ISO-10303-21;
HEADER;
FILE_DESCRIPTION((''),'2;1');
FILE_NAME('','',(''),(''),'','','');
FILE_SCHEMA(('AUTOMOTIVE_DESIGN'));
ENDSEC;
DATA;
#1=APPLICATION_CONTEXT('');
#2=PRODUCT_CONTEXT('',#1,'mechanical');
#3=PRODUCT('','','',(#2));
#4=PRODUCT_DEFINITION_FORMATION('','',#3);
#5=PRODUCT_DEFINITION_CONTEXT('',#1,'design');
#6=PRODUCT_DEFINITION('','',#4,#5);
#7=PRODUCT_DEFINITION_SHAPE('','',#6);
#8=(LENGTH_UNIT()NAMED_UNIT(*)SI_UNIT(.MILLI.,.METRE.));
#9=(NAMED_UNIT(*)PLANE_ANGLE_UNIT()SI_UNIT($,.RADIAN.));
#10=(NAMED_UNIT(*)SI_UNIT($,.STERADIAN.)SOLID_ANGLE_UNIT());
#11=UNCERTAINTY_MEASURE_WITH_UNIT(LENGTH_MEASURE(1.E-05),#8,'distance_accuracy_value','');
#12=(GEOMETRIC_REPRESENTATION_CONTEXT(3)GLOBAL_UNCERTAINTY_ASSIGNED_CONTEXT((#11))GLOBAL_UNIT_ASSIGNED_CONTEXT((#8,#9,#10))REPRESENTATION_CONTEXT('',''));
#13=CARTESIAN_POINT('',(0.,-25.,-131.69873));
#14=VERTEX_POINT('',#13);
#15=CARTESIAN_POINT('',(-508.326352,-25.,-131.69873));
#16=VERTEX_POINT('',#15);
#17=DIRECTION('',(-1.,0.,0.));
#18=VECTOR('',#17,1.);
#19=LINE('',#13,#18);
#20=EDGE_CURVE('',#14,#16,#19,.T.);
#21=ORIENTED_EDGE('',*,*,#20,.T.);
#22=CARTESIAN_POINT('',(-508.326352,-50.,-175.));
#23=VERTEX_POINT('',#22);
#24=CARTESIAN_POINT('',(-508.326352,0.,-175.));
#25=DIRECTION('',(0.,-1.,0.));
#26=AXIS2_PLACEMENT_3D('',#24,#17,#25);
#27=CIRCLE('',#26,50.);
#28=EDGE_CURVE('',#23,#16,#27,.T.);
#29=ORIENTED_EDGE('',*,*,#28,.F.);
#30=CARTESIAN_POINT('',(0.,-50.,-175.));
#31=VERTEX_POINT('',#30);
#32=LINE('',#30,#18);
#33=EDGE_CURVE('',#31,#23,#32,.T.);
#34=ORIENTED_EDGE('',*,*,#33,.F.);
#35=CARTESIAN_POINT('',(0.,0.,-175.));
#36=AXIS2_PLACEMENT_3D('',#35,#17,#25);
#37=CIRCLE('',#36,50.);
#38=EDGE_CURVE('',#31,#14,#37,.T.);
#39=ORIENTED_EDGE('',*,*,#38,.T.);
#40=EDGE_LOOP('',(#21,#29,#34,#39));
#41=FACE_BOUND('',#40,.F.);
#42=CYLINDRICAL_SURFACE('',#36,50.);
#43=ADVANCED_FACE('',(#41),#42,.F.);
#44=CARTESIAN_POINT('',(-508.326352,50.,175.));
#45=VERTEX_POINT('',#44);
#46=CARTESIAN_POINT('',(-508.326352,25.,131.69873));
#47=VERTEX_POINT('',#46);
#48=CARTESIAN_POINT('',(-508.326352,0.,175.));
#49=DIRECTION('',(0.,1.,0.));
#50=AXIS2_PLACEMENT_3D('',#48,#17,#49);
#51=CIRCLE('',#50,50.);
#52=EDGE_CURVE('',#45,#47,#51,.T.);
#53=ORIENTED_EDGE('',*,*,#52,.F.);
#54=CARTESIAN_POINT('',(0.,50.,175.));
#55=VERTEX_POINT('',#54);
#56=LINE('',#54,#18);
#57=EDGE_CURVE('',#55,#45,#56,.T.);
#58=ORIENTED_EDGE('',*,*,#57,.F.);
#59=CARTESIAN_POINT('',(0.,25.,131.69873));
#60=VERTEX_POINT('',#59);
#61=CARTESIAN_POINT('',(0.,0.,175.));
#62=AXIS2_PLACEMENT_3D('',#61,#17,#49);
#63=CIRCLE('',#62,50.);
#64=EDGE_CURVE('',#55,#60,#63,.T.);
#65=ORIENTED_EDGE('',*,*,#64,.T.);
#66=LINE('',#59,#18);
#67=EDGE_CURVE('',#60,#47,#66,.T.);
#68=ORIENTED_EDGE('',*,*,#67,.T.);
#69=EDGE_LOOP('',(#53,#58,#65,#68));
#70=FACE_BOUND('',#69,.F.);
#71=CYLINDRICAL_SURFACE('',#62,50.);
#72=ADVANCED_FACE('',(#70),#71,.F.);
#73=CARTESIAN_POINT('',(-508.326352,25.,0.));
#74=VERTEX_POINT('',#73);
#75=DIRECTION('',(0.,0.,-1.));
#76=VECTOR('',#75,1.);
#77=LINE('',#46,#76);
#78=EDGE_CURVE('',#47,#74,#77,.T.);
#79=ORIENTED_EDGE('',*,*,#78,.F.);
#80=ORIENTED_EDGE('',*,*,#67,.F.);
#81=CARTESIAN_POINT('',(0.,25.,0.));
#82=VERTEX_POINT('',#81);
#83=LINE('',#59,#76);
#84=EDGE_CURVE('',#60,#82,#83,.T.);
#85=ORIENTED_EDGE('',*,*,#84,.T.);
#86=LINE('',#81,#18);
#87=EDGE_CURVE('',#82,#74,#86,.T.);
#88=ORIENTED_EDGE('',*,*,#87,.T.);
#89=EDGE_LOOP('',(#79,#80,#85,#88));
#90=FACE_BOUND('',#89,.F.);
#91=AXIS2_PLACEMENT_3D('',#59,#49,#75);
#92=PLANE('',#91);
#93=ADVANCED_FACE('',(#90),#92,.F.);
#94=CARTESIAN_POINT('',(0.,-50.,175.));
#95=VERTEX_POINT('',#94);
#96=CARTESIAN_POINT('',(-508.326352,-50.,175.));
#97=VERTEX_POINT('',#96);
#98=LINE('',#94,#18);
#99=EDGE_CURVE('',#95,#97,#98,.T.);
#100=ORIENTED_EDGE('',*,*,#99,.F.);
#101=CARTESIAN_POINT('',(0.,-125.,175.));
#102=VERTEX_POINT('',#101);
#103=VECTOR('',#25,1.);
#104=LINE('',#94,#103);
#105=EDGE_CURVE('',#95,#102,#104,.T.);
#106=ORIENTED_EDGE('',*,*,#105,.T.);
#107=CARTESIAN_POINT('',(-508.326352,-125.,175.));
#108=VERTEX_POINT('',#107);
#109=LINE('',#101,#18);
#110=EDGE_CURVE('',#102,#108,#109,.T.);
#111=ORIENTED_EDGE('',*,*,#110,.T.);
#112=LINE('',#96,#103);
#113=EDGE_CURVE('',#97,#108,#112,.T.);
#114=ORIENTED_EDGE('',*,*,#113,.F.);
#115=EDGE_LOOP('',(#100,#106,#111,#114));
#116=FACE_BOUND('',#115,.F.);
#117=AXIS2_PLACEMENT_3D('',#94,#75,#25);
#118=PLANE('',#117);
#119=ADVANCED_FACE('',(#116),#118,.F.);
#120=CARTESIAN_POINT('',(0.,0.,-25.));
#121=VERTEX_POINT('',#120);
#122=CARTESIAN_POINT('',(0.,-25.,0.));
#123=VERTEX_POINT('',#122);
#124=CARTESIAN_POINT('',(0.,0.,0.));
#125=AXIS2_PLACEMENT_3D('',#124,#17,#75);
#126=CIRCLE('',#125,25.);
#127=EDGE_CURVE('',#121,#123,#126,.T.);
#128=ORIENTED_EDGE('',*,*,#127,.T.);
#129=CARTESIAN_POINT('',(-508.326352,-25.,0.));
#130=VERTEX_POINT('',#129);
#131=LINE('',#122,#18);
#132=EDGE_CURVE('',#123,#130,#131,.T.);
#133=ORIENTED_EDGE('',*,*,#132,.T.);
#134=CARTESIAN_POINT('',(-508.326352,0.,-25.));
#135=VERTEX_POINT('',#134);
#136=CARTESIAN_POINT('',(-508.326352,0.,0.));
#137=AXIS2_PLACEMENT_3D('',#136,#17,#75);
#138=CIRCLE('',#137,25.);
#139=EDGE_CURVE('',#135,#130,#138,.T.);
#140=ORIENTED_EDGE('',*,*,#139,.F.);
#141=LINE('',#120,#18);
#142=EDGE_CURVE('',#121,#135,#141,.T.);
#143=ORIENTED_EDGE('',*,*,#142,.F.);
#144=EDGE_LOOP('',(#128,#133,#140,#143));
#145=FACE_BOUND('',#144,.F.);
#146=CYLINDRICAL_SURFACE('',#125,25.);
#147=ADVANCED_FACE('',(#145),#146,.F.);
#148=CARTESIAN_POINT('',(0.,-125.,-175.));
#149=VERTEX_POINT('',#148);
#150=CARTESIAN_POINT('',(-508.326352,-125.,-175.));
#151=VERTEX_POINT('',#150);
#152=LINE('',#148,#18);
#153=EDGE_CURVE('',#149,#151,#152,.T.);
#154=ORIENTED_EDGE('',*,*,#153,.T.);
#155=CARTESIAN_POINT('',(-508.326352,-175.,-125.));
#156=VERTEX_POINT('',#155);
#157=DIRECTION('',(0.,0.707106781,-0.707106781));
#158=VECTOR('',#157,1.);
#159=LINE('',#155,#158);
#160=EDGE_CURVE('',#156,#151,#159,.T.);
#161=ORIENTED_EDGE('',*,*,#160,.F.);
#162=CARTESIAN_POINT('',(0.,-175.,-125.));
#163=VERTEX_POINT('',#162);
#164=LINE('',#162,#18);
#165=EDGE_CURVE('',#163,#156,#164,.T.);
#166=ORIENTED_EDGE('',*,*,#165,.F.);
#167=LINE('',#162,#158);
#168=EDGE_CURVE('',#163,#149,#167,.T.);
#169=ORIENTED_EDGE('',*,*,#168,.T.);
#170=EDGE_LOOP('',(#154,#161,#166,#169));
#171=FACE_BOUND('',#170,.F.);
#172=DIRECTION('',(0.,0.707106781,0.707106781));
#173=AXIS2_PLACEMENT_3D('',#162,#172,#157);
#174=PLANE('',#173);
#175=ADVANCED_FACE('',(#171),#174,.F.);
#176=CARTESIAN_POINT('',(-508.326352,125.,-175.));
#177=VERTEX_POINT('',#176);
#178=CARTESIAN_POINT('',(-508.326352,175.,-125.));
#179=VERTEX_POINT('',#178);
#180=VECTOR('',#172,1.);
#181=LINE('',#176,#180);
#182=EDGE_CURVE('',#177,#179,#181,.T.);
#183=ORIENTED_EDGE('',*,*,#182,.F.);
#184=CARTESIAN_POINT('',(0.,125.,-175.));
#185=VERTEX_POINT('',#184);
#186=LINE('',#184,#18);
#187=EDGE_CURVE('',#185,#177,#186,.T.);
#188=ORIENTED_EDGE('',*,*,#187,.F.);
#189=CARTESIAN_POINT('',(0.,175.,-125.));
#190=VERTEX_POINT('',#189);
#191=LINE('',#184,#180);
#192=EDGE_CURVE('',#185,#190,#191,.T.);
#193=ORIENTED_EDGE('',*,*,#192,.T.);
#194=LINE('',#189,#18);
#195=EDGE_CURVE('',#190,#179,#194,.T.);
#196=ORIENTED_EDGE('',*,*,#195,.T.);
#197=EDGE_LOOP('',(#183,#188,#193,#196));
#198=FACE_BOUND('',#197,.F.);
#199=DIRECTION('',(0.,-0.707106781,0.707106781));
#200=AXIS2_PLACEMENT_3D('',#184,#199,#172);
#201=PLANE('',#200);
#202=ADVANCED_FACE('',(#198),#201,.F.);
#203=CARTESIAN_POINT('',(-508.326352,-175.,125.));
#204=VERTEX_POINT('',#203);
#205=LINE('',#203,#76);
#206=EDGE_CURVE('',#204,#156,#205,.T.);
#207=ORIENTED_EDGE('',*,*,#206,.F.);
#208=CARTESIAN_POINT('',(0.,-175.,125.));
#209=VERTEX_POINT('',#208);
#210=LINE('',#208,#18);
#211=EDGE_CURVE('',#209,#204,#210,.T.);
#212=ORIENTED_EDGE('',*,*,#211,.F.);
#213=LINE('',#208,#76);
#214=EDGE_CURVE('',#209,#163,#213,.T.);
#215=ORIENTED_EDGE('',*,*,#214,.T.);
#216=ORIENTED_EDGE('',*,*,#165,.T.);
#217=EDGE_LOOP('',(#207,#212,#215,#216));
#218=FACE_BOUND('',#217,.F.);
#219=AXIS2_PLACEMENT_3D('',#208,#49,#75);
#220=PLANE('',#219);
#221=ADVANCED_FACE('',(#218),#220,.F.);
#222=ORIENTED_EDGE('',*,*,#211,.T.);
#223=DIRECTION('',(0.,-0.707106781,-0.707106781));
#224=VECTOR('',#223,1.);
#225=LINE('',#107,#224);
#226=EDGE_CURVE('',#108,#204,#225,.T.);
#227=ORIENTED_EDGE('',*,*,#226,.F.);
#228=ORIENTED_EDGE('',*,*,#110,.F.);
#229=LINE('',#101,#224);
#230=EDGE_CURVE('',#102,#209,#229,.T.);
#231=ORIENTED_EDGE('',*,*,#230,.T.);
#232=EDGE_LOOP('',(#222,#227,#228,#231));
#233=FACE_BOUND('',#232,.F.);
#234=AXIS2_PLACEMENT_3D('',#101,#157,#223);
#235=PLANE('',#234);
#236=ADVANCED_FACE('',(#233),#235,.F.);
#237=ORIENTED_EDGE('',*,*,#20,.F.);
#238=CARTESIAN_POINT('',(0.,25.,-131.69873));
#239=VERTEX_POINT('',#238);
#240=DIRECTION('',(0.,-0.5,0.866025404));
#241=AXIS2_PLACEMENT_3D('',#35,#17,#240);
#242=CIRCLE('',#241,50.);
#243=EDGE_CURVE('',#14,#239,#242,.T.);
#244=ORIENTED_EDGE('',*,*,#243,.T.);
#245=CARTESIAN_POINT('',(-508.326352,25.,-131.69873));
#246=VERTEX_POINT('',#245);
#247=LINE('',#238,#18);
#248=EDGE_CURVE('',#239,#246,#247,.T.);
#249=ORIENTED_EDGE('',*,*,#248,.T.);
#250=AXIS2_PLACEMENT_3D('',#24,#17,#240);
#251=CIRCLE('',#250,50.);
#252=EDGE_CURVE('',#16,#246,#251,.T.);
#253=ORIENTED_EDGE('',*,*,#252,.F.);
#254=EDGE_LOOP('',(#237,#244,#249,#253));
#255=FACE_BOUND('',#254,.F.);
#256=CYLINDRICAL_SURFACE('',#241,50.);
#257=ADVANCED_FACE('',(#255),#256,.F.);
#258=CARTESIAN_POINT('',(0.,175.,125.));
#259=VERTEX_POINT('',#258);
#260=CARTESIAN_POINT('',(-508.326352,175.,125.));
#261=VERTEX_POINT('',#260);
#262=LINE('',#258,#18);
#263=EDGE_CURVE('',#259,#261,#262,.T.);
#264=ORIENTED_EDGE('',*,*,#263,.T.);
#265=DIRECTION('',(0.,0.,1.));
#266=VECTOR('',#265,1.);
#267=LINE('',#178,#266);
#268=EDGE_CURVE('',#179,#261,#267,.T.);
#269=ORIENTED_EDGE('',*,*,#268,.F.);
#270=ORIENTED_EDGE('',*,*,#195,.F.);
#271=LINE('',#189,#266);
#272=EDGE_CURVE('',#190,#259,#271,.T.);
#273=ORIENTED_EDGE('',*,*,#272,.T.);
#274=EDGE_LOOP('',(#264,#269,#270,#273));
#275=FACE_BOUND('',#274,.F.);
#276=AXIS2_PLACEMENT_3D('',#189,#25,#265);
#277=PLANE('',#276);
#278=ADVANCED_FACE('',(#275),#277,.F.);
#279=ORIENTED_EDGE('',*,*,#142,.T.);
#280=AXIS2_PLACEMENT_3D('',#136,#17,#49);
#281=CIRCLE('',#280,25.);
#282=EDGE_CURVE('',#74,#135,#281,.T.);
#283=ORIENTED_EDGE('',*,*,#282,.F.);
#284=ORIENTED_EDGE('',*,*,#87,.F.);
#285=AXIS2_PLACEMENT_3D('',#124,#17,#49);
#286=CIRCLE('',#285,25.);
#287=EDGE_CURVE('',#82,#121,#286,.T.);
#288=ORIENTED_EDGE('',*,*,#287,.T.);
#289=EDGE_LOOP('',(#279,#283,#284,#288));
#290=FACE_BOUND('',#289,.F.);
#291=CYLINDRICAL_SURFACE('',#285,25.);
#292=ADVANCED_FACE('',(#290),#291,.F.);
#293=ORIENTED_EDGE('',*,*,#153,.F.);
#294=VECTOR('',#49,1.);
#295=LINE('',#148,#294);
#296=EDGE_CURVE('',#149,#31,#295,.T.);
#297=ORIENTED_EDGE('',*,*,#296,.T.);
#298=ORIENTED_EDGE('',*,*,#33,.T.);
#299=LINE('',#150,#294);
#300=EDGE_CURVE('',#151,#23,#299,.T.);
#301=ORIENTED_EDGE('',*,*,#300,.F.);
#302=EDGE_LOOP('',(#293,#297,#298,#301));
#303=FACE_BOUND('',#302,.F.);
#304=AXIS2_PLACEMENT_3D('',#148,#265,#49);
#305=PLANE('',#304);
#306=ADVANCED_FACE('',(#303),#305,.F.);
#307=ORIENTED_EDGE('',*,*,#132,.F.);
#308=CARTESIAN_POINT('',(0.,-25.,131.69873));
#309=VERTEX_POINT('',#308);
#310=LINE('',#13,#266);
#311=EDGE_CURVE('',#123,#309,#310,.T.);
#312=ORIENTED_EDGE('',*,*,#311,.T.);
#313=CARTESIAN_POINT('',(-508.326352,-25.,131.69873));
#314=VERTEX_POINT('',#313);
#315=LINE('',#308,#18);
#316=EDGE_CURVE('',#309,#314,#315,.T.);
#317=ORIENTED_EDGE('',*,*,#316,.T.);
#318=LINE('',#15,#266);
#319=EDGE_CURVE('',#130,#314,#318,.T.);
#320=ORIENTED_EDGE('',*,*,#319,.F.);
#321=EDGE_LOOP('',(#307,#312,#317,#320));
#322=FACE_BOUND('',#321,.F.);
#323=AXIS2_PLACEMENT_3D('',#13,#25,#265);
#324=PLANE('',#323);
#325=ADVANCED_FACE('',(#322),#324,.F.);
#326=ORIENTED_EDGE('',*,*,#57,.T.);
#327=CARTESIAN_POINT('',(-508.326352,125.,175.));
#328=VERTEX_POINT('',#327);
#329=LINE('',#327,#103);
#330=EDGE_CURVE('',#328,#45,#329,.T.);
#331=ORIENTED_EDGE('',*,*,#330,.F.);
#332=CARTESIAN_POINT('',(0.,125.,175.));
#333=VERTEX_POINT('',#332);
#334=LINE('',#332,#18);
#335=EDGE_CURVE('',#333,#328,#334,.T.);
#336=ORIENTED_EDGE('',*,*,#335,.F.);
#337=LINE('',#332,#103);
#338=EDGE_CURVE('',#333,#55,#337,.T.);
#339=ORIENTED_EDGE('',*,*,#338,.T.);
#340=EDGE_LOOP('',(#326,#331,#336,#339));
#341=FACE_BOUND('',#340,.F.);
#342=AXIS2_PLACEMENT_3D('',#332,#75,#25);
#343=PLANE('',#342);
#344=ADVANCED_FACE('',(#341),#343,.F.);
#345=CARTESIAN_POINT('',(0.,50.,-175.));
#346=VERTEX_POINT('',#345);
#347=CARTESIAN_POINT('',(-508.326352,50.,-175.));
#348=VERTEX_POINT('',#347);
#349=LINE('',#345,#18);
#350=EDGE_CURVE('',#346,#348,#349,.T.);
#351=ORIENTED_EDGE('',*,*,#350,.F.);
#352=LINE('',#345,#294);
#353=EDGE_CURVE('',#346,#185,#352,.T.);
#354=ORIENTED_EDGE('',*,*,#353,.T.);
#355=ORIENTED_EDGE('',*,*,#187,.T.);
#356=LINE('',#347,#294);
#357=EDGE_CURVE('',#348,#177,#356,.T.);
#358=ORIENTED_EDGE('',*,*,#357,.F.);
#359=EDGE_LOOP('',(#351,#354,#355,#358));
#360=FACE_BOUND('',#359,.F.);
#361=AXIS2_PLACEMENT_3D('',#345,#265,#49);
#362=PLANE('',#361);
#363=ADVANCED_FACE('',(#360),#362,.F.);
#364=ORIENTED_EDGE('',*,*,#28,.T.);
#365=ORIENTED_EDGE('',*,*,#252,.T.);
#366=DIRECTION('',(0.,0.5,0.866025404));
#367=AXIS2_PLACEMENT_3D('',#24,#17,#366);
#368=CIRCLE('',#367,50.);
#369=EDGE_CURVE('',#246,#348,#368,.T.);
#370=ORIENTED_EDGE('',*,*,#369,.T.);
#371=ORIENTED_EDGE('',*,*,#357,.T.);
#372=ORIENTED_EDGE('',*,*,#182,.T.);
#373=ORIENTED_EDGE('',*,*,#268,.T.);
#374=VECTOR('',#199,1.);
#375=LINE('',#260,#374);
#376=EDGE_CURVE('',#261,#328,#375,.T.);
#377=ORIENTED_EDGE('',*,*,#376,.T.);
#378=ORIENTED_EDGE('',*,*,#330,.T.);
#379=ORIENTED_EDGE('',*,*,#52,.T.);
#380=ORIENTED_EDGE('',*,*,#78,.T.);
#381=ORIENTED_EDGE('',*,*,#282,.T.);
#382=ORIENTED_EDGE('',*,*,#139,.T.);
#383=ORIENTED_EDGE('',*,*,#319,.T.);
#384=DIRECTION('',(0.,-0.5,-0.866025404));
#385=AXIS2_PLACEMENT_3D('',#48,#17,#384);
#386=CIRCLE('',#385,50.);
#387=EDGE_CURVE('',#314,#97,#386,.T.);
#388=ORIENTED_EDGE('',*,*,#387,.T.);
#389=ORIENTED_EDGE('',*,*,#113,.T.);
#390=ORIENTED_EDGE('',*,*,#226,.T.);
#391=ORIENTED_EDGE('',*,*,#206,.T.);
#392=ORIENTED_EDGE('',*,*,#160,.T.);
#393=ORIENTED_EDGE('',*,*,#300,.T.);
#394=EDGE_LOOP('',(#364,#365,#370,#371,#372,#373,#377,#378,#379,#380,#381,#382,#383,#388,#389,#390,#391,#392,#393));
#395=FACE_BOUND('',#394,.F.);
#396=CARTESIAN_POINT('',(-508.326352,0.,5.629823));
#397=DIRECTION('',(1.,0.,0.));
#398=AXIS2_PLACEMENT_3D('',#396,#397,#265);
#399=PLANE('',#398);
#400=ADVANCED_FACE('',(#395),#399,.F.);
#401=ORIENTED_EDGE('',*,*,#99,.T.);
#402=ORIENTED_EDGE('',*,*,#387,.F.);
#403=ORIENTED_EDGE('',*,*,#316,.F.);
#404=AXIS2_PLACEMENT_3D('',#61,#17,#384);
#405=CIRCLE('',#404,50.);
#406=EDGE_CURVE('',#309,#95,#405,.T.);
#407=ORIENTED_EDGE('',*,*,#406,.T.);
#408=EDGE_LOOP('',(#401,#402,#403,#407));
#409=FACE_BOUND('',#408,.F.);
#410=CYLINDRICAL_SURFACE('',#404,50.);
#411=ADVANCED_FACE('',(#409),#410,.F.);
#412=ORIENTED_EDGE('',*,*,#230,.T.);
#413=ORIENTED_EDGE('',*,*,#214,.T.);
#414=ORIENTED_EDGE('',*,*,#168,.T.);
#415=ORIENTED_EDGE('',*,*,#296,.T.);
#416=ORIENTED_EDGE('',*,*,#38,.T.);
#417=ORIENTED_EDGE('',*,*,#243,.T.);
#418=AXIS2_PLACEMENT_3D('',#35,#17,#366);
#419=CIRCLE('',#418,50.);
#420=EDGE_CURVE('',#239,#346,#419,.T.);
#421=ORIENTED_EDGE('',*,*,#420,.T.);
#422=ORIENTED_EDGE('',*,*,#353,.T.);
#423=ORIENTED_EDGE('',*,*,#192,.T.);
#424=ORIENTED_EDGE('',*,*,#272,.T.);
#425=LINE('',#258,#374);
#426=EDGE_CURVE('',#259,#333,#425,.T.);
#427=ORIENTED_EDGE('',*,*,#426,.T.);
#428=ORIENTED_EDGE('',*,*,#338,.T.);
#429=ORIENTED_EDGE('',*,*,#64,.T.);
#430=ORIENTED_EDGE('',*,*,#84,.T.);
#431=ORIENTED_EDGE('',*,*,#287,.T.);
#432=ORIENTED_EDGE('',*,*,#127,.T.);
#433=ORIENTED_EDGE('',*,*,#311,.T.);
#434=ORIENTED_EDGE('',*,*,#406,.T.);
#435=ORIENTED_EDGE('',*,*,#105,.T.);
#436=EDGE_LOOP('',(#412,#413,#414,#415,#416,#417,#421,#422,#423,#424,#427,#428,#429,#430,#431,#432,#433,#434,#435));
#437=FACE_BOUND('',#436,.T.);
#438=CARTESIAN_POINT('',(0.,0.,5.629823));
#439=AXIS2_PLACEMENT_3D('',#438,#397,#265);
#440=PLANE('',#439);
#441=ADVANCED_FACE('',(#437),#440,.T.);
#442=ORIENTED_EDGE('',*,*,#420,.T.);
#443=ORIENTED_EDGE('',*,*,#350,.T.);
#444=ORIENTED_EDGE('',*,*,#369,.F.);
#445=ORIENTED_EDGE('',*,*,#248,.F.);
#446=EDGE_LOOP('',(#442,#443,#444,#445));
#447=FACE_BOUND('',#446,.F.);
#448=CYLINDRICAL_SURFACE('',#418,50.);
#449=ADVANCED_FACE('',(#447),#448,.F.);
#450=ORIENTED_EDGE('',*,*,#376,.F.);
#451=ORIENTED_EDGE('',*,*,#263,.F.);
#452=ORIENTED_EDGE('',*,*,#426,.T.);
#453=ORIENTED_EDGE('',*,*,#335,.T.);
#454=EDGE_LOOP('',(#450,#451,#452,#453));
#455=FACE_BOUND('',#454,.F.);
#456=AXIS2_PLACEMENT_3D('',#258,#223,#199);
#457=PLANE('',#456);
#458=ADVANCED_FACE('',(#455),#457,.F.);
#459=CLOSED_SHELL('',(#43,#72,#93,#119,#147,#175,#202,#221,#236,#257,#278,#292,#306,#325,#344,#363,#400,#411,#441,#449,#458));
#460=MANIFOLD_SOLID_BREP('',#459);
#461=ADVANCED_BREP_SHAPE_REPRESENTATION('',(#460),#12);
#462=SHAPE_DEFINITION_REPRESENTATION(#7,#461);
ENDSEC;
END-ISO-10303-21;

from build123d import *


with BuildPart() as f2:
    # F2: sweep along a path in F1
    with BuildLine(Plane.XZ) as f2_path:
        Line((0, 0), (-508.3263516426, 0))
    # F0 (on Right) → F2 (sweep)
    with BuildSketch(Plane.YZ):
        with BuildLine():
            Line((175, 125), (125, 175))
            Line((125, 175), (50, 175))
            ThreePointArc((50, 175), (43.3012701892, 150), (25, 131.6987298108))
            Line((25, 131.6987298108), (25, 0))
            Line((25, 0), (25, -131.6987298108))
            ThreePointArc((25, -131.6987298108), (43.3012701892, -150), (50, -175))
            Line((50, -175), (125, -175))
            Line((125, -175), (175, -125))
            Line((175, -125), (175, 125))
        make_face()
        with BuildLine():
            Line((25, -131.6987298108), (25, 0))
            ThreePointArc((25, 0), (17.6776695297, -17.6776695297), (0, -25))
            ThreePointArc((0, -25), (-17.6776695297, -17.6776695297), (-25, 0))
            Line((-25, 0), (-25, -131.6987298108))
            ThreePointArc((-25, -131.6987298108), (0, -125), (25, -131.6987298108))
        make_face()
        with BuildLine():
            Line((-25, 0), (-25, 131.6987298108))
            ThreePointArc((-25, 131.6987298108), (-43.3012701892, 150), (-50, 175))
            Line((-50, 175), (-125, 175))
            Line((-125, 175), (-175, 125))
            Line((-175, 125), (-175, -125))
            Line((-175, -125), (-125, -175))
            Line((-125, -175), (-50, -175))
            ThreePointArc((-50, -175), (-43.3012701892, -150), (-25, -131.6987298108))
            Line((-25, -131.6987298108), (-25, 0))
        make_face()
    sweep(path=f2_path.line)


solid = f2.part
